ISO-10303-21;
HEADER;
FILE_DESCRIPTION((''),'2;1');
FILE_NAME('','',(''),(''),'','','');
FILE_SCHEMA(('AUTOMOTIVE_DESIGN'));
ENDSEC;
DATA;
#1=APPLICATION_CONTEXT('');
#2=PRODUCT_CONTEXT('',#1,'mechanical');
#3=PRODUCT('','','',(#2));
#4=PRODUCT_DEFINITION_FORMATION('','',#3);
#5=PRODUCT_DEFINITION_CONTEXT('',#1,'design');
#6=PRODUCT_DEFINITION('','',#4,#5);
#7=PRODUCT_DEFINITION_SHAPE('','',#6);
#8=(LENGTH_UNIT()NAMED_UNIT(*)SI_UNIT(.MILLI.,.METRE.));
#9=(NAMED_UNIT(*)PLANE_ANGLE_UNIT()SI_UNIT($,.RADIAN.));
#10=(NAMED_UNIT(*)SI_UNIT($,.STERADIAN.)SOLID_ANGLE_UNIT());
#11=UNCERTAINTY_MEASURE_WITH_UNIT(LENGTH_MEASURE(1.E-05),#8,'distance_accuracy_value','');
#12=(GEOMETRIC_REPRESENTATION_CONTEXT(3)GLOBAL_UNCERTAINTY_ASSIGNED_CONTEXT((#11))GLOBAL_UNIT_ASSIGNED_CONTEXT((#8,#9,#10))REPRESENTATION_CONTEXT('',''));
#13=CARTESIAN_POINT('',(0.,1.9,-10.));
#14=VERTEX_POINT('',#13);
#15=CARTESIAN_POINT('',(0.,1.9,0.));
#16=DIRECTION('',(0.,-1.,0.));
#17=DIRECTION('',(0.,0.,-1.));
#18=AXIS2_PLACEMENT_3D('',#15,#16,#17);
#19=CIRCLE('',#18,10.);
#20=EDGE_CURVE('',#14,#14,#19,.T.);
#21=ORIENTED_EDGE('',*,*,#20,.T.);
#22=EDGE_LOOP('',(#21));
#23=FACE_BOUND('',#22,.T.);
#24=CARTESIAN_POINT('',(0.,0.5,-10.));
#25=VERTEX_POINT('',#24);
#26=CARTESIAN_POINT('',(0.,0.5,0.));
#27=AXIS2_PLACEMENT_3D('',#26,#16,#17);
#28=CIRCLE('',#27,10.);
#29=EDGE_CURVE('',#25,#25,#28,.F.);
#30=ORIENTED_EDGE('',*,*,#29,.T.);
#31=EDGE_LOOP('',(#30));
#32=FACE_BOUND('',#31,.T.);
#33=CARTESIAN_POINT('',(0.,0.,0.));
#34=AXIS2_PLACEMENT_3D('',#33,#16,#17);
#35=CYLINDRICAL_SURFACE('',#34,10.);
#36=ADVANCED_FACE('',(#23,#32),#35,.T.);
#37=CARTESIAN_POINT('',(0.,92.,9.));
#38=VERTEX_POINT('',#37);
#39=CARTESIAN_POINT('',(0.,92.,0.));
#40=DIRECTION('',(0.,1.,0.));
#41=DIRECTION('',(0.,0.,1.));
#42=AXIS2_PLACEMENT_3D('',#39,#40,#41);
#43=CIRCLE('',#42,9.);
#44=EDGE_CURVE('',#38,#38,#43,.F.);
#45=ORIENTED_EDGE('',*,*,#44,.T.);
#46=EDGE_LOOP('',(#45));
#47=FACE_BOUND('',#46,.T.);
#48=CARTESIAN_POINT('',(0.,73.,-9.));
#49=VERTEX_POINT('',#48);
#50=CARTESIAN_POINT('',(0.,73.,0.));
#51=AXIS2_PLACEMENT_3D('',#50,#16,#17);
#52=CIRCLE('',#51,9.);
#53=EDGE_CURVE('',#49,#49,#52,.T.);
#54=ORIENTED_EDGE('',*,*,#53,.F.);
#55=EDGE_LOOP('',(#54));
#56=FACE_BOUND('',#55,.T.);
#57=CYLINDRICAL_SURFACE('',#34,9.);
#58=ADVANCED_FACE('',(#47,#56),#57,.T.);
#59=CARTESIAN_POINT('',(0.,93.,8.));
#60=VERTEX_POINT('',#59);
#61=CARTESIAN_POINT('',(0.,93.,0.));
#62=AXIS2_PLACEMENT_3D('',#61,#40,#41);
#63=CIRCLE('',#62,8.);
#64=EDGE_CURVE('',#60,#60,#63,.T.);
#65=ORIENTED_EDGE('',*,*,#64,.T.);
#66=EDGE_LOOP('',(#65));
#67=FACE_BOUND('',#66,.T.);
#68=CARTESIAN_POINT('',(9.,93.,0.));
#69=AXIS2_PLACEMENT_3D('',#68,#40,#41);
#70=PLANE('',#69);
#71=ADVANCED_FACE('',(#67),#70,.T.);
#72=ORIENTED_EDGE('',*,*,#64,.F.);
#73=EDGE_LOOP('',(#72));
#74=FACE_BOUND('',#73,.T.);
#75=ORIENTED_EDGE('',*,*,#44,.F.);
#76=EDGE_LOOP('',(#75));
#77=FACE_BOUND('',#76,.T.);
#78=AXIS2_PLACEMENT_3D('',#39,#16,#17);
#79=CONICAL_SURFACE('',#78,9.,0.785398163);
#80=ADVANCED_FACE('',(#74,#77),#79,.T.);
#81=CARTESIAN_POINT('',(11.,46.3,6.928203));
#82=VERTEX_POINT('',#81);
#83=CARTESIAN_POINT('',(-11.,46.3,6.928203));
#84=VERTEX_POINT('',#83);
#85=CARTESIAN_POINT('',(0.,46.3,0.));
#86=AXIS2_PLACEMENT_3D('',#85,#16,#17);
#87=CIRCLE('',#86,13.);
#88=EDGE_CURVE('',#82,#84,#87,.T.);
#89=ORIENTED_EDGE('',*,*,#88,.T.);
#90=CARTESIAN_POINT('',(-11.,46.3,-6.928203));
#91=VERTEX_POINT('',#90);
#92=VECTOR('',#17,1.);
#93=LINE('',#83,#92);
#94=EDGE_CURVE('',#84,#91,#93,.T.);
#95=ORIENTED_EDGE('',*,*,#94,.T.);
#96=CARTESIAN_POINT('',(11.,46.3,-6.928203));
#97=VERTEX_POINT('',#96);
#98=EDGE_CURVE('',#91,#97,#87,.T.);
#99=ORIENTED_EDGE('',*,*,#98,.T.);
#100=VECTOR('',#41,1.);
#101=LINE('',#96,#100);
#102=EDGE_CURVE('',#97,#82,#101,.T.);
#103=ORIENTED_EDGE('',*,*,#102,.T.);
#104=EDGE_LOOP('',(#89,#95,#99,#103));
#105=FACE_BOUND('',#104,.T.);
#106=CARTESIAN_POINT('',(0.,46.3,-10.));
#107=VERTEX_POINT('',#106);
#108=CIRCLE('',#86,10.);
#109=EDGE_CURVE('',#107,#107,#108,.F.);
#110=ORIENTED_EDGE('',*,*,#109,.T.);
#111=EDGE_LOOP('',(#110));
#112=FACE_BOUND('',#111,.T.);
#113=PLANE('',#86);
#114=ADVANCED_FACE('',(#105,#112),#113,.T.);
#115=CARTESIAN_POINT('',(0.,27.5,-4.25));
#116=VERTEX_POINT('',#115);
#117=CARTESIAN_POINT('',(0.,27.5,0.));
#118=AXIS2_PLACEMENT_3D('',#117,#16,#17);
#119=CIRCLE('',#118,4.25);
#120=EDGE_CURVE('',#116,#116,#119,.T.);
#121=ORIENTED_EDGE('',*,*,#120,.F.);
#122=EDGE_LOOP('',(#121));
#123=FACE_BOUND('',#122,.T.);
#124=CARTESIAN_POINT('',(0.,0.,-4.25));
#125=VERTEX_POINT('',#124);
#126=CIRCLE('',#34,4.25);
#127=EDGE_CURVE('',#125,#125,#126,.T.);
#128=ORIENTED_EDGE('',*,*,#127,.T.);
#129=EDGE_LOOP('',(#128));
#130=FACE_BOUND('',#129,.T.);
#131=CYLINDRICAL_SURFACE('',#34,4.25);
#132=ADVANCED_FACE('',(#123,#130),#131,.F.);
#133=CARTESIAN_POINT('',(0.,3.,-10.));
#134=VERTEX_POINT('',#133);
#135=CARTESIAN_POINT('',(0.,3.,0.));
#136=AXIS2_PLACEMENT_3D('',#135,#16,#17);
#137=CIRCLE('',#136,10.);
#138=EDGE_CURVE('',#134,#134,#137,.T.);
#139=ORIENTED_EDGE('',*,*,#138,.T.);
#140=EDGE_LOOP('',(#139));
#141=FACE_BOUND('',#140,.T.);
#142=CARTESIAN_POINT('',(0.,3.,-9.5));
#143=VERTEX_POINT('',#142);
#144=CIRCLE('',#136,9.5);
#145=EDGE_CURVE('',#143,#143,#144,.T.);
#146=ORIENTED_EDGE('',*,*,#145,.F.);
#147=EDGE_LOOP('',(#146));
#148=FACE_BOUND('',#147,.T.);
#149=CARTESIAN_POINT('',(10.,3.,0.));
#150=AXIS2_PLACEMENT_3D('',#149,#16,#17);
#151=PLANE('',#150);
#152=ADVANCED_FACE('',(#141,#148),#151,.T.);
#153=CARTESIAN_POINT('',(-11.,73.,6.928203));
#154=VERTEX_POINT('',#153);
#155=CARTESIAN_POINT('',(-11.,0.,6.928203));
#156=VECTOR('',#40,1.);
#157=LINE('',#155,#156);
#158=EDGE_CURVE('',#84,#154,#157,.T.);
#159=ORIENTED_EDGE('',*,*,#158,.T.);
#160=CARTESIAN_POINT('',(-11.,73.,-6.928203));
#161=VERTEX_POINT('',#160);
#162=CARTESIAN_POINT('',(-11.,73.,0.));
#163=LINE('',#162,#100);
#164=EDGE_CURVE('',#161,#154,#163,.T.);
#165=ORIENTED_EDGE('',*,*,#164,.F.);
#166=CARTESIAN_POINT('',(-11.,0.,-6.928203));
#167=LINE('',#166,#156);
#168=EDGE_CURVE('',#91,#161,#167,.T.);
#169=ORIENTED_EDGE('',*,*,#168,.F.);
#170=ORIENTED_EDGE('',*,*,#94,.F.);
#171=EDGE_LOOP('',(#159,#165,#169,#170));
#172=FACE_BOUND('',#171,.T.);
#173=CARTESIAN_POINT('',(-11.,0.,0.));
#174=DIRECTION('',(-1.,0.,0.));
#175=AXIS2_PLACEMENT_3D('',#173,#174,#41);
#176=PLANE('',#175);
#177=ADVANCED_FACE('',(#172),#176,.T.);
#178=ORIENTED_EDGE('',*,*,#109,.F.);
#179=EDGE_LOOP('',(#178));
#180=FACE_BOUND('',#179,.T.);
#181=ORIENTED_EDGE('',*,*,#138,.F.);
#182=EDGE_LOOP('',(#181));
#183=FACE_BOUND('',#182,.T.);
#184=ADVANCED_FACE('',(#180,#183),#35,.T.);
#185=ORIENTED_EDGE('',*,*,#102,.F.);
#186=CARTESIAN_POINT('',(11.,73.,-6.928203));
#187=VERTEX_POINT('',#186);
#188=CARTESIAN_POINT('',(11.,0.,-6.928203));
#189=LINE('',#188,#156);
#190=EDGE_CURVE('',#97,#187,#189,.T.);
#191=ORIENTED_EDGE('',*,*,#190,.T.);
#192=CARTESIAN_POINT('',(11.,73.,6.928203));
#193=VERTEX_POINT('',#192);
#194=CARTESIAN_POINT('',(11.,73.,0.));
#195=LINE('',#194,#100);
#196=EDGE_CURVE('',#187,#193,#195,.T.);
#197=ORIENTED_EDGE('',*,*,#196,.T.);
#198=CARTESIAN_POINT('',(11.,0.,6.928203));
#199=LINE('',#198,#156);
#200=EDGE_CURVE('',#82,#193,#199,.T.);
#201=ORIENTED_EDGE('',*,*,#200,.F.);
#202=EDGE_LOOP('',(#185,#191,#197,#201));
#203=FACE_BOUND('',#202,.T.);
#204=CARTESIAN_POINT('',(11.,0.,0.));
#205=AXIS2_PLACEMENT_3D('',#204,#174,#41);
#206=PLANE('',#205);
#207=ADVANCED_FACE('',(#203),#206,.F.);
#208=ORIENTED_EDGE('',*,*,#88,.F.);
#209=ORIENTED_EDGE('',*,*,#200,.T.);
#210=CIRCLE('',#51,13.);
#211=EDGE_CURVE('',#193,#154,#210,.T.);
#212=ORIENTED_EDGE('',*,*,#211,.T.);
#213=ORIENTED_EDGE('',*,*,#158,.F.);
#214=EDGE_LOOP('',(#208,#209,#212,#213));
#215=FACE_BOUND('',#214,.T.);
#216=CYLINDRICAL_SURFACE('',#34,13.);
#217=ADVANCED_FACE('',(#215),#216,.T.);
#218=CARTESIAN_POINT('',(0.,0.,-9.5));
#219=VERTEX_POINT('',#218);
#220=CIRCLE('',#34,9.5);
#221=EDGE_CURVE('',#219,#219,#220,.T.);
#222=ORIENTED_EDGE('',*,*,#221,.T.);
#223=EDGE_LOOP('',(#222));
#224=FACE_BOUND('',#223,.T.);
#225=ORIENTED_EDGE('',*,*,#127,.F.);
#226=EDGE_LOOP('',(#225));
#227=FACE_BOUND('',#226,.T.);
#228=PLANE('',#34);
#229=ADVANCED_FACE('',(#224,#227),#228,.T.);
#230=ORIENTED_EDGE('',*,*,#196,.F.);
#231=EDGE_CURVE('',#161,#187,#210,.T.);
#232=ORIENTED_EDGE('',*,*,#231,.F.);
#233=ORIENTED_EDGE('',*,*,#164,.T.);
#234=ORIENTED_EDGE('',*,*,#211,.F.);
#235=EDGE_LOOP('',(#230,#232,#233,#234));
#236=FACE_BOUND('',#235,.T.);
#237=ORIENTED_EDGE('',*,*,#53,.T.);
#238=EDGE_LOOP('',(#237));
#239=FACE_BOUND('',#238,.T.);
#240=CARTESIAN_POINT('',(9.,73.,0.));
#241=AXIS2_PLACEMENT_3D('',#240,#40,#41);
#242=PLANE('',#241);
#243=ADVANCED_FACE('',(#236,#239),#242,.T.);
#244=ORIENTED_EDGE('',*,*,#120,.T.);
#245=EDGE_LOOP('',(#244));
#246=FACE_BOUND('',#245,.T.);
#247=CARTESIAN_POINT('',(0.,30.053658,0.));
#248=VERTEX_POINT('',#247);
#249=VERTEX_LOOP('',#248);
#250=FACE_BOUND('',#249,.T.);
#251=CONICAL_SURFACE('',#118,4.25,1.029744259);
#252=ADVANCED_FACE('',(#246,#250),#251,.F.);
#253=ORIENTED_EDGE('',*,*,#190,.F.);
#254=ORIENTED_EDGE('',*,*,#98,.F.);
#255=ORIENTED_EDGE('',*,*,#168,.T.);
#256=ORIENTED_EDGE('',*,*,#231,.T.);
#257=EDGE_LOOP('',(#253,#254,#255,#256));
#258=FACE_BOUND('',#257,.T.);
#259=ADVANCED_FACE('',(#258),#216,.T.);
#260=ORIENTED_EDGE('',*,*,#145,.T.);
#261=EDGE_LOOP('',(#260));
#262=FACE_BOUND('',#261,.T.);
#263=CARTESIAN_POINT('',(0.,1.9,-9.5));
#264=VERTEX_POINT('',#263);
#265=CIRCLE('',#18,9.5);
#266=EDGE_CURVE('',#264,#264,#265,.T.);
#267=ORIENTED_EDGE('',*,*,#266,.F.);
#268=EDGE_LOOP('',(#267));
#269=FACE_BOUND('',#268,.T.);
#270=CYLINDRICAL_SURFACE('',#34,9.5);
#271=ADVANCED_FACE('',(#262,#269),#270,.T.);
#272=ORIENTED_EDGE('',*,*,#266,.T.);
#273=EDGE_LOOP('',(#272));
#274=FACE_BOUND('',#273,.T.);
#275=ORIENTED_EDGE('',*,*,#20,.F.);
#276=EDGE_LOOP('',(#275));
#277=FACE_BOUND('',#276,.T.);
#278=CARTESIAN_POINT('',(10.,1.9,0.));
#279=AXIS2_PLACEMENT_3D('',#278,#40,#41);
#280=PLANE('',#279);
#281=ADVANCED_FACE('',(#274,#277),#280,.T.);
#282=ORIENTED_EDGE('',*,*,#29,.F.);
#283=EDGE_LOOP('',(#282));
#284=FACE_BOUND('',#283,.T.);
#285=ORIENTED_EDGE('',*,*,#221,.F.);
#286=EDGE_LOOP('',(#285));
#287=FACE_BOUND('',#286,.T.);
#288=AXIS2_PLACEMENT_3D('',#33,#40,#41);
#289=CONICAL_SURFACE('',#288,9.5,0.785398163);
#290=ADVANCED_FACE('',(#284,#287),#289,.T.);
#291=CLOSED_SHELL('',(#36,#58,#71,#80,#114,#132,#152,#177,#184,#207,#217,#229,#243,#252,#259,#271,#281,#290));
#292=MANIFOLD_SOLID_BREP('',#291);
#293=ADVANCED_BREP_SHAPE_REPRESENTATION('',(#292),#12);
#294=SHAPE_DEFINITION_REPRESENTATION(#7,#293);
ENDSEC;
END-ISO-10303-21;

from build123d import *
from build123d.topology import SkipClean

# Parameters (mm, degrees)
CHAMFER_1_SIZE          = 1
CUT_EXTRUDE_1_DEPTH     = 76.279479276
EXTRUDE_2_DEPTH         = 16.7
HOLE_WIZARD_M10_1_D     = 8.5
HOLE_WIZARD_M10_1_DEPTH = 27.5
HOLE_WIZARD_M10_1_TIP   = 2.553657631
CHAMFER_2_SIZE          = 0.5


with BuildPart() as part:
    # 草图1 → 旋转1 (revolve)
    with BuildSketch(Plane.XY, mode=Mode.PRIVATE) as revolve_1_sk:
        Polygon((0, 0), (10, 0), (10, 1.9), (9.5, 1.9), (9.5, 3), (10, 3), (10, 63), (13, 63), (13, 73), (9, 73), (9, 93), (0, 93), align=None)
    revolve(revolve_1_sk.sketch.rotate(Axis((0, 0, 0), (0, 1, 0)), 90), axis=Axis((0, 0, 0), (0, 1, 0)))

    # 倒角1
    chamfer_1_edges = [part.edges().sort_by_distance(p)[0] for p in [
        (0, 93, 9),
    ]]
    chamfer(chamfer_1_edges, length=CHAMFER_1_SIZE)

    # 草图2 → 切除-拉伸1 (cut, through all)
    with BuildSketch(Plane(origin=(0, 73, 0), x_dir=(1, 0, 0), z_dir=(0, 1, 0))):
        with BuildLine():
            Line((-11, -6.92820323), (-11, 6.92820323))
            ThreePointArc((-11, 6.92820323), (-13, 0), (-11, -6.92820323))
        make_face()
        with BuildLine():
            ThreePointArc((13, 0), (12.489995997, 3.605551275), (11, 6.92820323))
            Line((11, 6.92820323), (11, -6.92820323))
            ThreePointArc((11, -6.92820323), (12.489995997, -3.605551275), (13, 0))
        make_face()
    extrude(amount=-CUT_EXTRUDE_1_DEPTH, mode=Mode.SUBTRACT)

    # 草图6 → 凸台-拉伸2 (add)
    with SkipClean():  # the faces are left unmerged after this step: merging them gives an invalid solid
        with BuildSketch(Plane.XZ.offset(-63)):
            with BuildLine():
                Line((11, -6.92820323), (11, 6.92820323))
                ThreePointArc((11, 6.92820323), (0, 13), (-11, 6.92820323))
                Line((-11, 6.92820323), (-11, -6.92820323))
                ThreePointArc((-11, -6.92820323), (0, -13), (11, -6.92820323))
            make_face()
        extrude(amount=EXTRUDE_2_DEPTH)

    # M10 螺纹孔1
    with Locations(Plane(origin=(0, 0, 0), x_dir=(-1, 0, 0), z_dir=(0, -1, 0))):
        with Locations((0, 0)):
            Hole(HOLE_WIZARD_M10_1_D / 2, depth=HOLE_WIZARD_M10_1_DEPTH)
            with Locations((0, 0, -(HOLE_WIZARD_M10_1_DEPTH + HOLE_WIZARD_M10_1_TIP / 2))):  # 118° drill point
                Cone(0, HOLE_WIZARD_M10_1_D / 2, HOLE_WIZARD_M10_1_TIP, mode=Mode.SUBTRACT)

    # 倒角2
    chamfer_2_edges = [part.edges().sort_by_distance(p)[0] for p in [
        (0, 0, 10),
    ]]
    chamfer(chamfer_2_edges, length=CHAMFER_2_SIZE)


solid = part.part
